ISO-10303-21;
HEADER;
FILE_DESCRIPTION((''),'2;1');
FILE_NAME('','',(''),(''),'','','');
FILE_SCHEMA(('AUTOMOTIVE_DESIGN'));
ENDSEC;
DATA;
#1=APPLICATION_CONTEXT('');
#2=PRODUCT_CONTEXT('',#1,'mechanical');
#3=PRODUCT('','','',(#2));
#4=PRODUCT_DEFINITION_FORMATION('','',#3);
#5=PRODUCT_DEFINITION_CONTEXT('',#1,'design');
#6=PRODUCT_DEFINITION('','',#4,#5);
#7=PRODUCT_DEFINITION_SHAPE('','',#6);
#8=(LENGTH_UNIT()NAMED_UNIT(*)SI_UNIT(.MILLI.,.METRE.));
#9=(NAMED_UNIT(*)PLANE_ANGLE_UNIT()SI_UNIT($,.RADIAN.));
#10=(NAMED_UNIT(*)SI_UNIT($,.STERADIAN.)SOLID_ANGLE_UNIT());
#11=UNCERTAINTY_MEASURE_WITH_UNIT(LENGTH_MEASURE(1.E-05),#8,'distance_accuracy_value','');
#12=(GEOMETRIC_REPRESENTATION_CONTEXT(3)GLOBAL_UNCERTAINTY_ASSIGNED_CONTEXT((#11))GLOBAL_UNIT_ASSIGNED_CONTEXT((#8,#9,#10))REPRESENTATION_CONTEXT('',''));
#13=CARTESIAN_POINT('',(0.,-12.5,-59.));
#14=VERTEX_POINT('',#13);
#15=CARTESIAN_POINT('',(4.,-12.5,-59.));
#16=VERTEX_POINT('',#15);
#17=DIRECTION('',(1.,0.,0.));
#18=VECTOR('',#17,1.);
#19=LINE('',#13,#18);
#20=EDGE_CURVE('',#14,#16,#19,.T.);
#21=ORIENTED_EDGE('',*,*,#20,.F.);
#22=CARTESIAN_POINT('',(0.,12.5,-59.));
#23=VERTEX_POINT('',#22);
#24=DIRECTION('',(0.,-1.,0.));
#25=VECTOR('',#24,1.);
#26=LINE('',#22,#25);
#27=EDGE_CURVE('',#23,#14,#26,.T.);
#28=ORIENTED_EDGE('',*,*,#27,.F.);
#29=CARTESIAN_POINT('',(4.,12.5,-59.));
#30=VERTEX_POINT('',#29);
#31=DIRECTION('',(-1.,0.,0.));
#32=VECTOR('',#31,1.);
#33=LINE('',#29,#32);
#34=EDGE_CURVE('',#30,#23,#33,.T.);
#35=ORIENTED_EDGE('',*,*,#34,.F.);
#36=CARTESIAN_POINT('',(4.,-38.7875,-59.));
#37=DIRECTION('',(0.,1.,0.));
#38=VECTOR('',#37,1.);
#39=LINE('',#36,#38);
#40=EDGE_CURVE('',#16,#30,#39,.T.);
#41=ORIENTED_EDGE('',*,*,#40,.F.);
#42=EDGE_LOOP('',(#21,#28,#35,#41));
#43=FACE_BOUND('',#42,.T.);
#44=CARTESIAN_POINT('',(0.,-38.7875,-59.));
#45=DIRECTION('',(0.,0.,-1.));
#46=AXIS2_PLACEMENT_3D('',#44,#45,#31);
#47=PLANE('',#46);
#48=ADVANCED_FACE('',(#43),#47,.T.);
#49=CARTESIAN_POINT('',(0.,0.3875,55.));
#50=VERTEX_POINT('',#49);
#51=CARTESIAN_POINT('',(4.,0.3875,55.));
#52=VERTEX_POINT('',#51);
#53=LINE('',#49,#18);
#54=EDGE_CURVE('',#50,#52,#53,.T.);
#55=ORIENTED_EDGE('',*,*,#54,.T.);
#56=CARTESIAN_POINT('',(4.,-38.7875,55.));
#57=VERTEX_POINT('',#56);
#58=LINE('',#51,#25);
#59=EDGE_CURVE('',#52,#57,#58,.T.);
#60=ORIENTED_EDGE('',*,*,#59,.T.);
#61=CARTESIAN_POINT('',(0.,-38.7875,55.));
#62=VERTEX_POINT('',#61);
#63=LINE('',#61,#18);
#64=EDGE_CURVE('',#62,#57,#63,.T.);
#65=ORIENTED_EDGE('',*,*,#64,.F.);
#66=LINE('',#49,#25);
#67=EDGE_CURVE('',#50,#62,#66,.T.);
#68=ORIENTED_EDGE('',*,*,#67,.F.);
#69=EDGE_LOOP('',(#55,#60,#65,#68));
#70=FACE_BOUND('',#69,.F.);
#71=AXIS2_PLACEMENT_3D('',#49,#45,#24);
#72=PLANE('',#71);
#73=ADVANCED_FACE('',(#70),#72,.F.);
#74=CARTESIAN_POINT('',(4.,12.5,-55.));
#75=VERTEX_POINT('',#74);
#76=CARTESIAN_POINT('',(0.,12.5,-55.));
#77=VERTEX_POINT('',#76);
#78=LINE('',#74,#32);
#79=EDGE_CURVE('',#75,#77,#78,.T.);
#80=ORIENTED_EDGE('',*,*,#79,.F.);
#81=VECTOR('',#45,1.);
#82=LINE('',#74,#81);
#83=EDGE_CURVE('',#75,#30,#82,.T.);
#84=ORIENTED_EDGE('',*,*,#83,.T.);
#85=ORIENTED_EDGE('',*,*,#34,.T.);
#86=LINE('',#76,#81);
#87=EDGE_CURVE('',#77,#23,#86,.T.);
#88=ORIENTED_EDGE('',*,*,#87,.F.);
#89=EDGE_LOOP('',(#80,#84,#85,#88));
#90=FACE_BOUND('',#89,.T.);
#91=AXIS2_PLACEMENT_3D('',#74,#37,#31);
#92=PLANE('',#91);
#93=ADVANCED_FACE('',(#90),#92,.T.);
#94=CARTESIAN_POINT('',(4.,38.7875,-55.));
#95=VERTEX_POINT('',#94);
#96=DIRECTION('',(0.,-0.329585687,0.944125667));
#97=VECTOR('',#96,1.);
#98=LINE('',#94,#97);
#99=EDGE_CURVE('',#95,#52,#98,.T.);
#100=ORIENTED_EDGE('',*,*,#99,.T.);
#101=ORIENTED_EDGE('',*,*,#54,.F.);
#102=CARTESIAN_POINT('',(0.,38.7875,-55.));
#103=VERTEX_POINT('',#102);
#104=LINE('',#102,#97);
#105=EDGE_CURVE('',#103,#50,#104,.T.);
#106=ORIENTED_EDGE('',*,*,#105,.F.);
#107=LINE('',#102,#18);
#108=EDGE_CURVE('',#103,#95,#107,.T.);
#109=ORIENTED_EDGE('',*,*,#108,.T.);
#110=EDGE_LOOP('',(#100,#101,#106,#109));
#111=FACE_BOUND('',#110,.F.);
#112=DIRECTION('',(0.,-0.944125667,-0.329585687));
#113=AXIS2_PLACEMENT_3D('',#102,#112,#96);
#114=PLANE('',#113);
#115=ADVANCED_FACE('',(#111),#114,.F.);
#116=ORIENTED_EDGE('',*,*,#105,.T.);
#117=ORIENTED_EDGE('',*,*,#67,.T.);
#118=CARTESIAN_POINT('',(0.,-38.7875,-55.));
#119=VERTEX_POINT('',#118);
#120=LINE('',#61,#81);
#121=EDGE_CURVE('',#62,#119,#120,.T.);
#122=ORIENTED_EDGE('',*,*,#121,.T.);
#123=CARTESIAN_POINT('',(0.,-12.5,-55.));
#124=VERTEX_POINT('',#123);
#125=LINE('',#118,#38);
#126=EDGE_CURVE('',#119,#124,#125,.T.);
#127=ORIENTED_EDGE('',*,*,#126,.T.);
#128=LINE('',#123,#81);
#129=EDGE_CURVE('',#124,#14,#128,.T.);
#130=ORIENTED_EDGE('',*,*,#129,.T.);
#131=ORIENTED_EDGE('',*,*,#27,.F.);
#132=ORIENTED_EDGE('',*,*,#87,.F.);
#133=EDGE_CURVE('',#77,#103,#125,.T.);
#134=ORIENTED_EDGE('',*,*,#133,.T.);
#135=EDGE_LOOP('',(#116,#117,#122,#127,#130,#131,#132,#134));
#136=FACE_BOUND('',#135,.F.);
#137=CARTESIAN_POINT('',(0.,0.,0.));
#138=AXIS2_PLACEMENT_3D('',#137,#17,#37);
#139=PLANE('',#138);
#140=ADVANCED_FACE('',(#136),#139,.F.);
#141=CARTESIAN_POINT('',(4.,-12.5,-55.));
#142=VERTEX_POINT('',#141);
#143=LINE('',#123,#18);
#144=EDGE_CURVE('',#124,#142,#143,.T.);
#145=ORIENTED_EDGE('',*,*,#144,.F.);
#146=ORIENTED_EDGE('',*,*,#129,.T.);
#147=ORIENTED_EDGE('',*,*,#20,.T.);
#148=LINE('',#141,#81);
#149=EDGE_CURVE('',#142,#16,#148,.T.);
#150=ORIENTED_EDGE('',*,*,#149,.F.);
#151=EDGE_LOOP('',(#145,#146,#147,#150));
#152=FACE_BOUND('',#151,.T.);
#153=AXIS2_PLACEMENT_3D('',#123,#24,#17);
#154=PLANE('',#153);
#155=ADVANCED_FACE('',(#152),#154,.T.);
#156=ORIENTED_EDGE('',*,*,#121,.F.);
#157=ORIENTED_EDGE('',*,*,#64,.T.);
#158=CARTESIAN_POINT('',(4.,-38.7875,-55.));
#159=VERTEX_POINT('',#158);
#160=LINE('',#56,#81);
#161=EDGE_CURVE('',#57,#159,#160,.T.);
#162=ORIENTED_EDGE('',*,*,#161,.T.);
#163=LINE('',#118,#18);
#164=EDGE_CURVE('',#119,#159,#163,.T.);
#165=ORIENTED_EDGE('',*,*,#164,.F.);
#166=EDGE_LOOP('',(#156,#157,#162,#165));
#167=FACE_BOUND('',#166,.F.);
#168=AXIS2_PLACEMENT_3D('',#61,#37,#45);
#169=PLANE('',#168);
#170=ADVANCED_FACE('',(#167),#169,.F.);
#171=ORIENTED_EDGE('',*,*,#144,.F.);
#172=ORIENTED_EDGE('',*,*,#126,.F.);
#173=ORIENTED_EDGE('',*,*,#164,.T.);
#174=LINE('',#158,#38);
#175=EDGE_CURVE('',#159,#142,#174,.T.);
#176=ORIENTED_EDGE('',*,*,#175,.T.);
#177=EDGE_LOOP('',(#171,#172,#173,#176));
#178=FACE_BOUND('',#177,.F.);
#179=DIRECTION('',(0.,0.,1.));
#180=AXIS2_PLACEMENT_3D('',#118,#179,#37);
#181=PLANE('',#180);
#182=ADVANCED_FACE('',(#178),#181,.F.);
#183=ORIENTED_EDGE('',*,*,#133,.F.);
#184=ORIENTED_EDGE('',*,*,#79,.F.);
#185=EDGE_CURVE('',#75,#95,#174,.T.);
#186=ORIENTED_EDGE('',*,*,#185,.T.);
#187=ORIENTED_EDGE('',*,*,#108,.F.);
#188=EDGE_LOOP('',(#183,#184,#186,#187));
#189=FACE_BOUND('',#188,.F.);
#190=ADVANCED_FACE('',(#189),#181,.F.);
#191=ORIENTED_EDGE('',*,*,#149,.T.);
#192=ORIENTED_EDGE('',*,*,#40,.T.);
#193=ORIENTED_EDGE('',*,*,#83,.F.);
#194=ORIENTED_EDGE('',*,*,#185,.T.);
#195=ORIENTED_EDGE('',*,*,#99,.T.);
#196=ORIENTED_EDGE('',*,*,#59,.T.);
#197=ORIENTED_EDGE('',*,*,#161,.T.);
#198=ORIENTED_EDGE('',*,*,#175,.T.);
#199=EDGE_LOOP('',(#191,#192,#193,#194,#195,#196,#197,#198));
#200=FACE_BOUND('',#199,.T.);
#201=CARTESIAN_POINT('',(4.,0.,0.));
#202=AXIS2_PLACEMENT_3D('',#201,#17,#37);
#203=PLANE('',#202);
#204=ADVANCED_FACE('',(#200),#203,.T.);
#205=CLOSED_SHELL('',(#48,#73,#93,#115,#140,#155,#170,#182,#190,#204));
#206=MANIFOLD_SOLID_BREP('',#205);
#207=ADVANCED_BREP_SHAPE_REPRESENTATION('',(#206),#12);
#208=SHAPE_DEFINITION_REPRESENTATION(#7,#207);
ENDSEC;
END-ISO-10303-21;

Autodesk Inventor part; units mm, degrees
ref_plane "YZ Plane" through (0, 0, 0) normal (1, 0, 0) x (0, 1, 0)
ref_plane "XZ Plane" through (0, 0, 0) normal (0, 1, 0) x (-1, 0, 0)
ref_plane "XY Plane" through (0, 0, 0) normal (0, 0, 1) x (1, 0, 0)
sketch "Esboço1" plane through (0, 0, 0) normal (1, 0, 0) x (0, 1, 0)
  line L0 (0.3875, 55) -> (-38.7875, 55)
  line L1 (-38.7875, 55) -> (-38.7875, -55)
  line L2 (-38.7875, -55) -> (38.7875, -55)
  line L3 (38.7875, -55) -> (0.3875, 55)
  point P0 (0, 0)
  point P1 (19.5875, 0)
  point P2 (0, -55)
  dimension "d4" = 77.575
  dimension "d5" = 110
  dimension "d6" = 39.175
extrude "Extrusão1" add sketch "Esboço1" along normal blind 4
sketch "Esboço2" plane through (0, -38.7875, -55) normal (0, 0, -1) x (-1, 0, 0)
  line L0 (0, 0) -> (-4, 0) projected
  line L1 (0, 77.575) -> (-4, 77.575) projected
  line L2 (-4, 0) -> (-4, 77.575) projected
  line L3 (0, 39.175) -> (0, 0) projected
  line L4 (-4, 51.2875) -> (0, 51.2875)
  line L5 (0, 51.2875) -> (0, 26.2875)
  line L6 (0, 26.2875) -> (-4, 26.2875)
  line L7 (-4, 26.2875) -> (-4, 51.2875)
  point P0 (0, 38.7875)
  dimension "d7" = 77.575
  dimension "d8" = 25
  dimension "d9" = 26.2875
extrude "Extrusão2" add sketch "Esboço2" along normal blind 4 contours L6 L2 L4 L5 L3
properties part number "suporte"
